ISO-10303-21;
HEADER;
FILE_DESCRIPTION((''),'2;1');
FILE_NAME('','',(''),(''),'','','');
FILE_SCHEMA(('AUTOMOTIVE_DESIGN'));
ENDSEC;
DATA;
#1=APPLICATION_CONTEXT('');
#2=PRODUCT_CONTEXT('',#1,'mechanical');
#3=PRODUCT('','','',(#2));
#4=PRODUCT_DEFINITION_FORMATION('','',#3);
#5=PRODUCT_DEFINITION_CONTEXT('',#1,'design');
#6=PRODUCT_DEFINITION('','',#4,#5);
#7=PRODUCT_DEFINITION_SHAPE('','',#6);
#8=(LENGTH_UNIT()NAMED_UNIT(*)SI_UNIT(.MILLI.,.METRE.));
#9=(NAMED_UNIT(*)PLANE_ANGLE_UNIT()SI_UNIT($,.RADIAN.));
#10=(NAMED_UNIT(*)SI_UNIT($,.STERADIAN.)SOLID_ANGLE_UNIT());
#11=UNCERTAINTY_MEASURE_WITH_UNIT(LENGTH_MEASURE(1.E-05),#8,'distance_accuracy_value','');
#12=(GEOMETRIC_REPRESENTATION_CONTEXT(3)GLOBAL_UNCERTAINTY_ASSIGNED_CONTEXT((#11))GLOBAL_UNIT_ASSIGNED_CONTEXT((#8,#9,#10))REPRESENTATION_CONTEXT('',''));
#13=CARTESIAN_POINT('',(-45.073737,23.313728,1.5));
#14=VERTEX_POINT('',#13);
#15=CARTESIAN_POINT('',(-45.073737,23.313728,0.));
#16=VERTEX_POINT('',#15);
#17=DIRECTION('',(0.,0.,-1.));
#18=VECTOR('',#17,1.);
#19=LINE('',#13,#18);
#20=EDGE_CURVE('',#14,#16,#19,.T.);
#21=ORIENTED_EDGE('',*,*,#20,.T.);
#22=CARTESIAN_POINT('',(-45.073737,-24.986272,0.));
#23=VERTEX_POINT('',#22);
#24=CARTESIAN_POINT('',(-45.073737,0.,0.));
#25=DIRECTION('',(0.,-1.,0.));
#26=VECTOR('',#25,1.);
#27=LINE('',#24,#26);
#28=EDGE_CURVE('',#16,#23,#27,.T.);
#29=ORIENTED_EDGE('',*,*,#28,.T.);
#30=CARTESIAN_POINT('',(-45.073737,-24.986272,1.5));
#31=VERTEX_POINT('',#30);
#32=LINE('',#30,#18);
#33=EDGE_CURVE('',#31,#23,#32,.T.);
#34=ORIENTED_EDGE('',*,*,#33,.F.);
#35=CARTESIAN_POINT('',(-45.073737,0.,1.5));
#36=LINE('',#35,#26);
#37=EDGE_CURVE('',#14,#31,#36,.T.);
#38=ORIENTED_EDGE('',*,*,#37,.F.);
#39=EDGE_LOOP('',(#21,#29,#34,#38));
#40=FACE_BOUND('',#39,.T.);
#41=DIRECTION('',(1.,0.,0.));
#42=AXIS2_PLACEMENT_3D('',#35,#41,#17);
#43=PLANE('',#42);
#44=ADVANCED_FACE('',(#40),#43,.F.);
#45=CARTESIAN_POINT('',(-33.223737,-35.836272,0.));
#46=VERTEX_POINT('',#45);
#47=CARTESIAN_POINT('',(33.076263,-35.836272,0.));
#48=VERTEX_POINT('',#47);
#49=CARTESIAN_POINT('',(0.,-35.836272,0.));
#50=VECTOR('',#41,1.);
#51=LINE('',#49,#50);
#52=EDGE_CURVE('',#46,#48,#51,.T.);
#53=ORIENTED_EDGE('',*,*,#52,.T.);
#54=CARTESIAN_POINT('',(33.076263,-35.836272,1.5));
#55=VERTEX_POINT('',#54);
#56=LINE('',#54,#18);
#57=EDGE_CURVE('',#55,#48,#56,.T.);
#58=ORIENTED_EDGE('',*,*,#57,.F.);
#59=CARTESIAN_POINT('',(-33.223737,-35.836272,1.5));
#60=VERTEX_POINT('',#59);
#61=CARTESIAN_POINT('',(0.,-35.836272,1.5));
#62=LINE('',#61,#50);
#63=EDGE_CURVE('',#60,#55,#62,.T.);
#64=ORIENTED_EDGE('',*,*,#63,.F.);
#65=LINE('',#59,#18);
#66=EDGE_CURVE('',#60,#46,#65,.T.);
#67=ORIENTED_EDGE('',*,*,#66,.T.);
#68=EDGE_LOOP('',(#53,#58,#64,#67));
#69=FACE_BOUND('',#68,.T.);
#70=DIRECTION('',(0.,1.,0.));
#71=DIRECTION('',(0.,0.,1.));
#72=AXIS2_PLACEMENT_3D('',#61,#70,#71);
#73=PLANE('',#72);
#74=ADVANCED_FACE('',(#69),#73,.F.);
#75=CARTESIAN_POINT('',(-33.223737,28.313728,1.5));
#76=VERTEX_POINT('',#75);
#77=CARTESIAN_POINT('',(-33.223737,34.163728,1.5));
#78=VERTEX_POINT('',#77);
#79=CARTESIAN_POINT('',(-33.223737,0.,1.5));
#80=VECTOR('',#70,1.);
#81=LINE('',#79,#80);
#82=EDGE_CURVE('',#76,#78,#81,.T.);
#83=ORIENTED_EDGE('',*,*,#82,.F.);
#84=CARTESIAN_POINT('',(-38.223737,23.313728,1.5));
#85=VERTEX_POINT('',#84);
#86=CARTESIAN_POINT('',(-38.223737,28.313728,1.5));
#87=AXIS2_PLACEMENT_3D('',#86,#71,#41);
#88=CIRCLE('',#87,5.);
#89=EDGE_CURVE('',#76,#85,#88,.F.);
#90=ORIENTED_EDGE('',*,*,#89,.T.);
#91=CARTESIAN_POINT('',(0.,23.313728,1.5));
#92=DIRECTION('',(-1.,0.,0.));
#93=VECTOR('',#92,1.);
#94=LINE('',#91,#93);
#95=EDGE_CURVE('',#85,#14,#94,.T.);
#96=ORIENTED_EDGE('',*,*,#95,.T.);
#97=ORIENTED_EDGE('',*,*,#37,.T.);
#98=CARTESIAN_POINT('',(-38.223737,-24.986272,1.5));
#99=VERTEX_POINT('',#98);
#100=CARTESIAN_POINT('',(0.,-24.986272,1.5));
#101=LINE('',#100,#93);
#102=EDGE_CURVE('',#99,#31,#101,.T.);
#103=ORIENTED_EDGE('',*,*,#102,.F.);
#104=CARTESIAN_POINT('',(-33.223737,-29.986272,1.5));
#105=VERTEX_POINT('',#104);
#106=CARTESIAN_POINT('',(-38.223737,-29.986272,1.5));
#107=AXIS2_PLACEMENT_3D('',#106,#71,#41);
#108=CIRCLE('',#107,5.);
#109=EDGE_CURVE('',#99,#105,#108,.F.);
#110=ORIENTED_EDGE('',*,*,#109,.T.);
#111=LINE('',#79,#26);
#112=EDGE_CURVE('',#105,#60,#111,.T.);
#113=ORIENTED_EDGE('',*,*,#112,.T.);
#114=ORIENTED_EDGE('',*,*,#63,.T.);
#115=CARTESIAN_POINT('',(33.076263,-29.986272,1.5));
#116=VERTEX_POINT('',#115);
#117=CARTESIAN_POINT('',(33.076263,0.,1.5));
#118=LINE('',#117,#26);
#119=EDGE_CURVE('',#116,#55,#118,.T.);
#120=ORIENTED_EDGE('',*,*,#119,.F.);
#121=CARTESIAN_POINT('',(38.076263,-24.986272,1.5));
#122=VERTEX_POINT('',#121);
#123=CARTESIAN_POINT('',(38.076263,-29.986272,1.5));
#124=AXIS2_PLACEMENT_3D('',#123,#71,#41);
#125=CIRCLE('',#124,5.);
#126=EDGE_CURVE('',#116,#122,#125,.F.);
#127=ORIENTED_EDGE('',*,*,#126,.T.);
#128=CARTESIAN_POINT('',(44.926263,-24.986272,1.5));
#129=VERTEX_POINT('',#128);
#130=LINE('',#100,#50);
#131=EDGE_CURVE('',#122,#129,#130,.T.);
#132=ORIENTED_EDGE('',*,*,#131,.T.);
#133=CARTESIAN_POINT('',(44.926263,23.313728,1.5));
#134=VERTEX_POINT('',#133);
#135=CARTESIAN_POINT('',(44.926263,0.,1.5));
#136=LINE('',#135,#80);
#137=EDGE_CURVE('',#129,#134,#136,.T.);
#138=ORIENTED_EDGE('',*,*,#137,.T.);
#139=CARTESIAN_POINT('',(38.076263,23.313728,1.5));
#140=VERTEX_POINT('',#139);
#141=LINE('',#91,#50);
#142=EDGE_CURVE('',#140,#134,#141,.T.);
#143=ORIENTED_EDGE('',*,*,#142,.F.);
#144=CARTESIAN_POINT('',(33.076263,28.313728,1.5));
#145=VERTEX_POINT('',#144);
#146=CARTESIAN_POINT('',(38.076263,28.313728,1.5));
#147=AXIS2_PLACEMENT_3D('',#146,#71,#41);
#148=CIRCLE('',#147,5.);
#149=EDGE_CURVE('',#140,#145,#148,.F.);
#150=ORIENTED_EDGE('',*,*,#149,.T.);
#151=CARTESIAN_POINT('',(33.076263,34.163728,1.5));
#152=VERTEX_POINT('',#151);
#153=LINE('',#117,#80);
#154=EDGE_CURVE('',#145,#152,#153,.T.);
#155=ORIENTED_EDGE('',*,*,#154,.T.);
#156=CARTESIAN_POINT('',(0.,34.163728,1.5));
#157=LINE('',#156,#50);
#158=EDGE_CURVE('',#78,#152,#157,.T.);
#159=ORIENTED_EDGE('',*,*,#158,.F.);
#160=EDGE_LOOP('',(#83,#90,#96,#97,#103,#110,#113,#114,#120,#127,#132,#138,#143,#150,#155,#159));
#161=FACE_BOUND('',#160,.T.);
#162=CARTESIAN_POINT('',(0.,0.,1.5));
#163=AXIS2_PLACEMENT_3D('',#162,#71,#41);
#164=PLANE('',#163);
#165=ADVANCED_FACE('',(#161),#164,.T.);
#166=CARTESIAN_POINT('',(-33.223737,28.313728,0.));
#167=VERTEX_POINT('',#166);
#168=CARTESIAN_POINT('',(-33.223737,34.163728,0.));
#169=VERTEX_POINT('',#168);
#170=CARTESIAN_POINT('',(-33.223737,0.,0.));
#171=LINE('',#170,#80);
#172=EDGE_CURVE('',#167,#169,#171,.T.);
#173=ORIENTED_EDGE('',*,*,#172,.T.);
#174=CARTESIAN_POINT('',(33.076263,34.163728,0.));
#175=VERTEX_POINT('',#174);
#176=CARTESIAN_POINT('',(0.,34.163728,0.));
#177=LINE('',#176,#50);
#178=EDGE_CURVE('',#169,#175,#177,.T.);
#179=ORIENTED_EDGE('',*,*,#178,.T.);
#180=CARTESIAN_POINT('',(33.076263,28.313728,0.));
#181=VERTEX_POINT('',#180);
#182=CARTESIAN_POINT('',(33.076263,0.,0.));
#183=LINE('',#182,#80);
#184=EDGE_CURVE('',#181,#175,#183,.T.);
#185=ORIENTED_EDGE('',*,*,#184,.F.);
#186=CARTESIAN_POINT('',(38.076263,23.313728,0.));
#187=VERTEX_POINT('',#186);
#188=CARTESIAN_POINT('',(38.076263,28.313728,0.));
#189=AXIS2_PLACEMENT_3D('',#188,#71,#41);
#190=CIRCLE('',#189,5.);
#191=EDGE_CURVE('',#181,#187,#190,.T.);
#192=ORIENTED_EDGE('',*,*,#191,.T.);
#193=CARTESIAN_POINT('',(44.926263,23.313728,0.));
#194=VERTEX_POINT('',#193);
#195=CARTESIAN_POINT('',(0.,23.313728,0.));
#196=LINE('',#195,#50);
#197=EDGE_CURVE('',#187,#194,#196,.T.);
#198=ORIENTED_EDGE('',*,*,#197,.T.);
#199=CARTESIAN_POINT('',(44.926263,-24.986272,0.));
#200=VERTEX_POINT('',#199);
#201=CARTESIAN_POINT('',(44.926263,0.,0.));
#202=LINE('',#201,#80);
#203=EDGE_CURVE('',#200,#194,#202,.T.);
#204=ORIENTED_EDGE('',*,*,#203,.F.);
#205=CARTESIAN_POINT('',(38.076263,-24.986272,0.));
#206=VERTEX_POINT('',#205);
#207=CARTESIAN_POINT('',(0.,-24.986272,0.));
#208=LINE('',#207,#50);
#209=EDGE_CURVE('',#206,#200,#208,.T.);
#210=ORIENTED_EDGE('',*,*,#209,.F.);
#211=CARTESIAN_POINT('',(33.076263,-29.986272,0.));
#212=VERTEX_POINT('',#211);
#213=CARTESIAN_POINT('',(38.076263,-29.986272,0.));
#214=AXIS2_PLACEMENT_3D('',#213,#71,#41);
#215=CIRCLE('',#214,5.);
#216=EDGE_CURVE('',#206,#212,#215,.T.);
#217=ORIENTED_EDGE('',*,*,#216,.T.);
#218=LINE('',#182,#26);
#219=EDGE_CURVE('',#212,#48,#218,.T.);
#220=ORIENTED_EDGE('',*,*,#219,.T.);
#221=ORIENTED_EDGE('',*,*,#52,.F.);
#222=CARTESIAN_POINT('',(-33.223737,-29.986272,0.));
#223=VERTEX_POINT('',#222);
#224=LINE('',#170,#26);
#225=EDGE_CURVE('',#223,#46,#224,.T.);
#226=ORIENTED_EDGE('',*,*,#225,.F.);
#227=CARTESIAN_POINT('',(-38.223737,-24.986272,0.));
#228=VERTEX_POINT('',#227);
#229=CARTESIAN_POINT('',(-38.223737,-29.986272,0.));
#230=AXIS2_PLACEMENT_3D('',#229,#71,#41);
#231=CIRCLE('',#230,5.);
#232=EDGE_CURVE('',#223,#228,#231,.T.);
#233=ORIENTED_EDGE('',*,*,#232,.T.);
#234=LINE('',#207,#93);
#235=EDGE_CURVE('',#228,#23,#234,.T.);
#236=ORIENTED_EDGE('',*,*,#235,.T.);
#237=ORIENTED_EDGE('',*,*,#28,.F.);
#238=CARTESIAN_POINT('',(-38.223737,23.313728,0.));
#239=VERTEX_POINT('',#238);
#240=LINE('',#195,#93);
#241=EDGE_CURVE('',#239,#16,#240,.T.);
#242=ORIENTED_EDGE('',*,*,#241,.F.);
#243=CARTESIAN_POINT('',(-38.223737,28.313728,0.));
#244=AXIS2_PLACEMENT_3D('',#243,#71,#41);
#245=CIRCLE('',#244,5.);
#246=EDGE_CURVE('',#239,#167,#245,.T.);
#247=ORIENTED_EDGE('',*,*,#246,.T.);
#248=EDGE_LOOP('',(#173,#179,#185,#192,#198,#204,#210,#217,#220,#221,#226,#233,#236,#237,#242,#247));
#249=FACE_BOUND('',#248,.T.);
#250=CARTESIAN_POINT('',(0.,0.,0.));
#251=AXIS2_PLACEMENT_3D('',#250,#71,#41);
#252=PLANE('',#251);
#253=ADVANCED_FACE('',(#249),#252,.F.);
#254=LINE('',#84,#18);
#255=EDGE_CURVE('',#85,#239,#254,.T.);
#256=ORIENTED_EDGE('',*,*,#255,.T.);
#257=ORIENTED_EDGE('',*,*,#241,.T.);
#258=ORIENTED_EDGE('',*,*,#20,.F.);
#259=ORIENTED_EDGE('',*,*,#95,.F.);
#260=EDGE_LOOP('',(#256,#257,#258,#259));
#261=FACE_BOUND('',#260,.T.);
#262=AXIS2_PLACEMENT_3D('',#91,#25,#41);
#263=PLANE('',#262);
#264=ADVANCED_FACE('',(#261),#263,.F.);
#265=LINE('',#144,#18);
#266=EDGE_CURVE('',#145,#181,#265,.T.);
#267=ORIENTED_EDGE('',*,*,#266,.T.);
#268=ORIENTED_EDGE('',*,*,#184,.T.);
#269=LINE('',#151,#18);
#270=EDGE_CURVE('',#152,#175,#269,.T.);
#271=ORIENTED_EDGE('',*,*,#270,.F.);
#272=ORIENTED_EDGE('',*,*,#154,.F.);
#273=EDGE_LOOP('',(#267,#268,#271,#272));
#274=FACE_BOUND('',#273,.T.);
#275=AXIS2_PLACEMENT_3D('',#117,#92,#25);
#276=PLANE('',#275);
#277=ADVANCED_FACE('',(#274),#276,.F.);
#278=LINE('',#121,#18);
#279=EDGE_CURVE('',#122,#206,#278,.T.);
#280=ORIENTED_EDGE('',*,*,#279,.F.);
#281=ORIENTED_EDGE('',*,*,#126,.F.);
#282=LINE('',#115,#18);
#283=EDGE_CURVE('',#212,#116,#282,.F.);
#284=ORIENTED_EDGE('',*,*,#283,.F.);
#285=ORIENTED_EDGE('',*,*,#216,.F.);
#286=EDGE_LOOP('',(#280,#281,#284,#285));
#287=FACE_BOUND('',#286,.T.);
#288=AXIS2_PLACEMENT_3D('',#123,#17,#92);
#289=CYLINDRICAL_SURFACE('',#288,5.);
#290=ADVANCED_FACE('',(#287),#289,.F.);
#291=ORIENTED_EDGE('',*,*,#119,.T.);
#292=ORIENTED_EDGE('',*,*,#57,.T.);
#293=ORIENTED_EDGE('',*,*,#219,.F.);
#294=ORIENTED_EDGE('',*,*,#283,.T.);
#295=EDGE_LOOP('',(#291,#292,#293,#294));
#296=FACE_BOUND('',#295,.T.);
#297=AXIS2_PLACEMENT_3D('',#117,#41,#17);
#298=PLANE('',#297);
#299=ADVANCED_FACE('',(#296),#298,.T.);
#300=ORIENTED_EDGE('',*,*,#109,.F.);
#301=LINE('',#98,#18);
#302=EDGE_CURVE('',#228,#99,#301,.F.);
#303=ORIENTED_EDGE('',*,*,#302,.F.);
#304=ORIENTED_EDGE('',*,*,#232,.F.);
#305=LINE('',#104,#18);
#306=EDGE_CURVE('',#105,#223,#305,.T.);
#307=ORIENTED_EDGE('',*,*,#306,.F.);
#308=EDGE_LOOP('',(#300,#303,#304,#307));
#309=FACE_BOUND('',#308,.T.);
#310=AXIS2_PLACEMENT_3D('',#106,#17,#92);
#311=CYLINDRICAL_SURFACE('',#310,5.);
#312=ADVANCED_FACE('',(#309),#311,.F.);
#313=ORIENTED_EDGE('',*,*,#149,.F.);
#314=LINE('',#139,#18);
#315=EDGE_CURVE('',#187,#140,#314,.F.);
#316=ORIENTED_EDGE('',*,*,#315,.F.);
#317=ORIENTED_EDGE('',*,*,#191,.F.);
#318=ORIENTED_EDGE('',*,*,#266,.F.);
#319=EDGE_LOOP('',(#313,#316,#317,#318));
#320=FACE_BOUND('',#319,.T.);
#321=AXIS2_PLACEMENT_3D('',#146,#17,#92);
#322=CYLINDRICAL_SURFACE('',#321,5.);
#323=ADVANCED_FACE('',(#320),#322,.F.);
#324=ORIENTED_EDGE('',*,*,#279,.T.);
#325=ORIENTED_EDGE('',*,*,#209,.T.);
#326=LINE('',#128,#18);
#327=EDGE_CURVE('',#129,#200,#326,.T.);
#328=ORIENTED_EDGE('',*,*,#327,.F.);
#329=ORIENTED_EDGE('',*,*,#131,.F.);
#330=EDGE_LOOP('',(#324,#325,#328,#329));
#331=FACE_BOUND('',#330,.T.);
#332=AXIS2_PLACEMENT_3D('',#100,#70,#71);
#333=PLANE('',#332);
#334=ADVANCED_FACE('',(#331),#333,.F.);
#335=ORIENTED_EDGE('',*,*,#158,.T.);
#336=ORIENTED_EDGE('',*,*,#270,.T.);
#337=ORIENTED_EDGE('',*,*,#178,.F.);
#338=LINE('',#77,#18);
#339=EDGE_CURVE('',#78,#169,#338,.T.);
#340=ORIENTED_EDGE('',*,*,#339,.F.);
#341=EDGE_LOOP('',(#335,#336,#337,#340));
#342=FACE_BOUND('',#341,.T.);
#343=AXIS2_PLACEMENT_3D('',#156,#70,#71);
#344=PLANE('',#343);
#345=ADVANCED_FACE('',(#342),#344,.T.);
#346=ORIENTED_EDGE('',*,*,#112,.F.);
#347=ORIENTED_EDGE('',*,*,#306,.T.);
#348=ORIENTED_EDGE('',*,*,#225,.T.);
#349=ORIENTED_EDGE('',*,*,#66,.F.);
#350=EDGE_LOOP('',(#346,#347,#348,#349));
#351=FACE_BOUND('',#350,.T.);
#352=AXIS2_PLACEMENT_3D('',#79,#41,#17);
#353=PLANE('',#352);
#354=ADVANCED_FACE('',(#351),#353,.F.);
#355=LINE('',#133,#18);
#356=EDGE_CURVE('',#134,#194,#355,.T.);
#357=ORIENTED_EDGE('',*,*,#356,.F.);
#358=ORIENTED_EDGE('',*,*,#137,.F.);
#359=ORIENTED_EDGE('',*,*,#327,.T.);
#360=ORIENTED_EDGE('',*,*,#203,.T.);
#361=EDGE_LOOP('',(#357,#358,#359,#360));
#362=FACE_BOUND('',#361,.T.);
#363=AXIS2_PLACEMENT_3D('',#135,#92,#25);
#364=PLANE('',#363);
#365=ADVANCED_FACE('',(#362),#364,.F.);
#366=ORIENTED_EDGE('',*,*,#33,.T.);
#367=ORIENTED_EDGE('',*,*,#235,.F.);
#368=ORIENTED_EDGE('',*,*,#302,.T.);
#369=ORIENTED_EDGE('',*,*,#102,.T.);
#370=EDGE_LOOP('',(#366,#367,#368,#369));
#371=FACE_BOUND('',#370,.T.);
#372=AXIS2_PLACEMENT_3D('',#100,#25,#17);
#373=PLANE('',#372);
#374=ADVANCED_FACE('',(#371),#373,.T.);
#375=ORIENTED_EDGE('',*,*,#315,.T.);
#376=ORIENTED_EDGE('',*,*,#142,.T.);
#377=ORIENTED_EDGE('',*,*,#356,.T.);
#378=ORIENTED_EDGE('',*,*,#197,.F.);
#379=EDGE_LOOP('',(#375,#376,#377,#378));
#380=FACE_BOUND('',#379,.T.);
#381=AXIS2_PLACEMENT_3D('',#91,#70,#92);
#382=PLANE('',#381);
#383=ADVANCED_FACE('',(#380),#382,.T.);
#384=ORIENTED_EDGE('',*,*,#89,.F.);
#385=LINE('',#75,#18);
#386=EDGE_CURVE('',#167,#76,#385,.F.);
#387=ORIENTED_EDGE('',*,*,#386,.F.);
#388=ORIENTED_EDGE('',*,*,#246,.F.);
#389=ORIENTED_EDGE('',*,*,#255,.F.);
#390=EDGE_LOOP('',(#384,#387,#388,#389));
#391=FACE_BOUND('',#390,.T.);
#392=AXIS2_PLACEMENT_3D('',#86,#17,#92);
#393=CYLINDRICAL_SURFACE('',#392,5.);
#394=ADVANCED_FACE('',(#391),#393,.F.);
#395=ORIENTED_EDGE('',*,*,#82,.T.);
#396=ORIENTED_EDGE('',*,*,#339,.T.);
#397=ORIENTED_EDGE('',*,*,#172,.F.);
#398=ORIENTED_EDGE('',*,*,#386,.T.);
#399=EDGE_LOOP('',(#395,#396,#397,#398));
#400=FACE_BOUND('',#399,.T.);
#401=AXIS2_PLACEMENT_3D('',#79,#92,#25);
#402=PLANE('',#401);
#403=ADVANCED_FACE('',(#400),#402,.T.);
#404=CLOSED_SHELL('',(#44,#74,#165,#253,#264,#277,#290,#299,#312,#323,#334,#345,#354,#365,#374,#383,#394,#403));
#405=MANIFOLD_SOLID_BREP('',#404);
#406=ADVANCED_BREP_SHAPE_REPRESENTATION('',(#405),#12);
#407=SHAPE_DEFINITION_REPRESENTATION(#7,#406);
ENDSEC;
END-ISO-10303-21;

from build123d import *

# Parameters (mm, degrees)
SKETCH_3_W      = 66.3
SKETCH_3_H      = 48.3
SKETCH_3_W_2    = 11.85
SKETCH_3_H_2    = 10.85
EXTRUDE_1_DEPTH = 1.5
FILLET_1_R      = 5


with BuildPart() as part:
    # 草图3 → 凸台-拉伸1 (new body)
    with BuildSketch(Plane.XY):
        with Locations((-0.073737011, -0.836272376)):
            Rectangle(SKETCH_3_W, SKETCH_3_H)
        with Locations((-39.148737011, -0.836272376)):
            Rectangle(SKETCH_3_W_2, SKETCH_3_H)
        with Locations((-0.073737011, -30.411272376)):
            Rectangle(SKETCH_3_W, SKETCH_3_H_2)
        with Locations((-0.073737011, 28.738727624)):
            Rectangle(SKETCH_3_W, SKETCH_3_H_2)
        with Locations((39.001262989, -0.836272376)):
            Rectangle(SKETCH_3_W_2, SKETCH_3_H)
    extrude(amount=EXTRUDE_1_DEPTH)

    # 圆角1
    fillet_1_edges = [part.edges().sort_by_distance(p)[0] for p in [
        (33.076262989, 23.313727624, 0.75),
        (33.076262989, -24.986272376, 0.75),
        (-33.223737011, -24.986272376, 0.75),
        (-33.223737011, 23.313727624, 0.75),
    ]]
    fillet(fillet_1_edges, radius=FILLET_1_R)


solid = part.part
